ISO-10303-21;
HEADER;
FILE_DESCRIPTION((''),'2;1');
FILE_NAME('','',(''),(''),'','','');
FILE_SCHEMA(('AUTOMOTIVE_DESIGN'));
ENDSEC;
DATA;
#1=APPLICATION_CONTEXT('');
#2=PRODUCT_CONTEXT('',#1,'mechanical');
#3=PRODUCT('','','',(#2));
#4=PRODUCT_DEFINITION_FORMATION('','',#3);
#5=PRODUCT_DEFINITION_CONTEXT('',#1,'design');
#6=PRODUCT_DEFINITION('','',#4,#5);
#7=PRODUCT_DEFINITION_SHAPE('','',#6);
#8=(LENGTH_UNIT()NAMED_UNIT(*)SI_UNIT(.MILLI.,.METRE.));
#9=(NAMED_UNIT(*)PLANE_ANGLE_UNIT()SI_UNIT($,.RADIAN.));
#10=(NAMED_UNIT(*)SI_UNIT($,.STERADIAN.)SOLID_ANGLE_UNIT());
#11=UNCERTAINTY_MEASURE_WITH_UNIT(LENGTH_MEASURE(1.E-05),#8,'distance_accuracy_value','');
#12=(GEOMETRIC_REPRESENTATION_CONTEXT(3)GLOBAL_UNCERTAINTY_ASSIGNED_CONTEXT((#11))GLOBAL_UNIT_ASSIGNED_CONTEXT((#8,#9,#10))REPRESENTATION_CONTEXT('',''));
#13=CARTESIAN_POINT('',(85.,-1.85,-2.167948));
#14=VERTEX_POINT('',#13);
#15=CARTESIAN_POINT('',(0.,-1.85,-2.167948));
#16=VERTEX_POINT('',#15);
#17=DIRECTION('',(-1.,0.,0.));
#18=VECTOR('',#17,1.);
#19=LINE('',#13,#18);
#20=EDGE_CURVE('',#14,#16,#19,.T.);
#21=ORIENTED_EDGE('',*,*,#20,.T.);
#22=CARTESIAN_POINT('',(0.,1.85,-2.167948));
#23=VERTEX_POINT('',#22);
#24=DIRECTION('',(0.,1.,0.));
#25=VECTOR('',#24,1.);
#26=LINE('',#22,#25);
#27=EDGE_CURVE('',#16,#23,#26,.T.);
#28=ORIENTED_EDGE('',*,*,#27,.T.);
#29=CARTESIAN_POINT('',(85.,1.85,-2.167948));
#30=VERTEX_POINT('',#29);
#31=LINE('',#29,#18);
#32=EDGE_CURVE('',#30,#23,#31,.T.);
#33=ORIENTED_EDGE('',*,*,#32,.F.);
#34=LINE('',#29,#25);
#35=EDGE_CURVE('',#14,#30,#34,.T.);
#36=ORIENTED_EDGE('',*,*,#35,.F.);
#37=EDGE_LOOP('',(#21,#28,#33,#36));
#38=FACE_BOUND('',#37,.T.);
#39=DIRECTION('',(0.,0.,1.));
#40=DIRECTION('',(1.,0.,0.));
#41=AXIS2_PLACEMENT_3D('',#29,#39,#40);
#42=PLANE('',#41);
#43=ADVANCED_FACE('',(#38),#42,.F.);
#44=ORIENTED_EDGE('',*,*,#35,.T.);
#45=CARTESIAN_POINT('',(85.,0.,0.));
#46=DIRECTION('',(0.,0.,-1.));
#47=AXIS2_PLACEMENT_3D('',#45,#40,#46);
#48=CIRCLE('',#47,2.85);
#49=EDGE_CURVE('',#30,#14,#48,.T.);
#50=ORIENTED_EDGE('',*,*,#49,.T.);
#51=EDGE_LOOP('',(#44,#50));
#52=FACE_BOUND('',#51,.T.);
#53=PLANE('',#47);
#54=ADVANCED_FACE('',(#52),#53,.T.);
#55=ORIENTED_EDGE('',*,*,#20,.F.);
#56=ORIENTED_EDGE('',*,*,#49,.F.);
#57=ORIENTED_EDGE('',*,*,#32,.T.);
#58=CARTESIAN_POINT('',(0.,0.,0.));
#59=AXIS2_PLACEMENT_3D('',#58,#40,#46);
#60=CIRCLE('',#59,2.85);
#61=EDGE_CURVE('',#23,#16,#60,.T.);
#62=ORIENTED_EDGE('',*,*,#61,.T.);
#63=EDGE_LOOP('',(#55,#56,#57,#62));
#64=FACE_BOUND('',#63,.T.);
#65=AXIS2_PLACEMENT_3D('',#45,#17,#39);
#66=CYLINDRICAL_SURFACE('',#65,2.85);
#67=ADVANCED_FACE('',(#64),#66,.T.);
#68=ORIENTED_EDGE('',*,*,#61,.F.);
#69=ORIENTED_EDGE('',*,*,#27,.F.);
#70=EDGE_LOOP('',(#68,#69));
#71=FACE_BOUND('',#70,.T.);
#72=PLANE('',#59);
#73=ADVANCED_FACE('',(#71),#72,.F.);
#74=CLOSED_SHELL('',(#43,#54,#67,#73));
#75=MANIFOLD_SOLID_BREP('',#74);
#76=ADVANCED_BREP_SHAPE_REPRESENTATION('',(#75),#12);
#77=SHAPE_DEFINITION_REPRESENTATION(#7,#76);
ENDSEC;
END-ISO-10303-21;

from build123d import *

# Parameters (mm, degrees)
BOSS_EXTRUDE1_DEPTH = 85


with BuildPart() as part:
    # Sketch1 → Boss-Extrude1 (new body)
    with BuildSketch(Plane(origin=(0, 0, 0), x_dir=(0, 0, -1), z_dir=(1, 0, 0))):
        with BuildLine():
            Line((2.167948339, 1.85), (2.167948339, -1.85))
            ThreePointArc((2.167948339, -1.85), (-2.85, 0), (2.167948339, 1.85))
        make_face()
    extrude(amount=BOSS_EXTRUDE1_DEPTH)


solid = part.part
